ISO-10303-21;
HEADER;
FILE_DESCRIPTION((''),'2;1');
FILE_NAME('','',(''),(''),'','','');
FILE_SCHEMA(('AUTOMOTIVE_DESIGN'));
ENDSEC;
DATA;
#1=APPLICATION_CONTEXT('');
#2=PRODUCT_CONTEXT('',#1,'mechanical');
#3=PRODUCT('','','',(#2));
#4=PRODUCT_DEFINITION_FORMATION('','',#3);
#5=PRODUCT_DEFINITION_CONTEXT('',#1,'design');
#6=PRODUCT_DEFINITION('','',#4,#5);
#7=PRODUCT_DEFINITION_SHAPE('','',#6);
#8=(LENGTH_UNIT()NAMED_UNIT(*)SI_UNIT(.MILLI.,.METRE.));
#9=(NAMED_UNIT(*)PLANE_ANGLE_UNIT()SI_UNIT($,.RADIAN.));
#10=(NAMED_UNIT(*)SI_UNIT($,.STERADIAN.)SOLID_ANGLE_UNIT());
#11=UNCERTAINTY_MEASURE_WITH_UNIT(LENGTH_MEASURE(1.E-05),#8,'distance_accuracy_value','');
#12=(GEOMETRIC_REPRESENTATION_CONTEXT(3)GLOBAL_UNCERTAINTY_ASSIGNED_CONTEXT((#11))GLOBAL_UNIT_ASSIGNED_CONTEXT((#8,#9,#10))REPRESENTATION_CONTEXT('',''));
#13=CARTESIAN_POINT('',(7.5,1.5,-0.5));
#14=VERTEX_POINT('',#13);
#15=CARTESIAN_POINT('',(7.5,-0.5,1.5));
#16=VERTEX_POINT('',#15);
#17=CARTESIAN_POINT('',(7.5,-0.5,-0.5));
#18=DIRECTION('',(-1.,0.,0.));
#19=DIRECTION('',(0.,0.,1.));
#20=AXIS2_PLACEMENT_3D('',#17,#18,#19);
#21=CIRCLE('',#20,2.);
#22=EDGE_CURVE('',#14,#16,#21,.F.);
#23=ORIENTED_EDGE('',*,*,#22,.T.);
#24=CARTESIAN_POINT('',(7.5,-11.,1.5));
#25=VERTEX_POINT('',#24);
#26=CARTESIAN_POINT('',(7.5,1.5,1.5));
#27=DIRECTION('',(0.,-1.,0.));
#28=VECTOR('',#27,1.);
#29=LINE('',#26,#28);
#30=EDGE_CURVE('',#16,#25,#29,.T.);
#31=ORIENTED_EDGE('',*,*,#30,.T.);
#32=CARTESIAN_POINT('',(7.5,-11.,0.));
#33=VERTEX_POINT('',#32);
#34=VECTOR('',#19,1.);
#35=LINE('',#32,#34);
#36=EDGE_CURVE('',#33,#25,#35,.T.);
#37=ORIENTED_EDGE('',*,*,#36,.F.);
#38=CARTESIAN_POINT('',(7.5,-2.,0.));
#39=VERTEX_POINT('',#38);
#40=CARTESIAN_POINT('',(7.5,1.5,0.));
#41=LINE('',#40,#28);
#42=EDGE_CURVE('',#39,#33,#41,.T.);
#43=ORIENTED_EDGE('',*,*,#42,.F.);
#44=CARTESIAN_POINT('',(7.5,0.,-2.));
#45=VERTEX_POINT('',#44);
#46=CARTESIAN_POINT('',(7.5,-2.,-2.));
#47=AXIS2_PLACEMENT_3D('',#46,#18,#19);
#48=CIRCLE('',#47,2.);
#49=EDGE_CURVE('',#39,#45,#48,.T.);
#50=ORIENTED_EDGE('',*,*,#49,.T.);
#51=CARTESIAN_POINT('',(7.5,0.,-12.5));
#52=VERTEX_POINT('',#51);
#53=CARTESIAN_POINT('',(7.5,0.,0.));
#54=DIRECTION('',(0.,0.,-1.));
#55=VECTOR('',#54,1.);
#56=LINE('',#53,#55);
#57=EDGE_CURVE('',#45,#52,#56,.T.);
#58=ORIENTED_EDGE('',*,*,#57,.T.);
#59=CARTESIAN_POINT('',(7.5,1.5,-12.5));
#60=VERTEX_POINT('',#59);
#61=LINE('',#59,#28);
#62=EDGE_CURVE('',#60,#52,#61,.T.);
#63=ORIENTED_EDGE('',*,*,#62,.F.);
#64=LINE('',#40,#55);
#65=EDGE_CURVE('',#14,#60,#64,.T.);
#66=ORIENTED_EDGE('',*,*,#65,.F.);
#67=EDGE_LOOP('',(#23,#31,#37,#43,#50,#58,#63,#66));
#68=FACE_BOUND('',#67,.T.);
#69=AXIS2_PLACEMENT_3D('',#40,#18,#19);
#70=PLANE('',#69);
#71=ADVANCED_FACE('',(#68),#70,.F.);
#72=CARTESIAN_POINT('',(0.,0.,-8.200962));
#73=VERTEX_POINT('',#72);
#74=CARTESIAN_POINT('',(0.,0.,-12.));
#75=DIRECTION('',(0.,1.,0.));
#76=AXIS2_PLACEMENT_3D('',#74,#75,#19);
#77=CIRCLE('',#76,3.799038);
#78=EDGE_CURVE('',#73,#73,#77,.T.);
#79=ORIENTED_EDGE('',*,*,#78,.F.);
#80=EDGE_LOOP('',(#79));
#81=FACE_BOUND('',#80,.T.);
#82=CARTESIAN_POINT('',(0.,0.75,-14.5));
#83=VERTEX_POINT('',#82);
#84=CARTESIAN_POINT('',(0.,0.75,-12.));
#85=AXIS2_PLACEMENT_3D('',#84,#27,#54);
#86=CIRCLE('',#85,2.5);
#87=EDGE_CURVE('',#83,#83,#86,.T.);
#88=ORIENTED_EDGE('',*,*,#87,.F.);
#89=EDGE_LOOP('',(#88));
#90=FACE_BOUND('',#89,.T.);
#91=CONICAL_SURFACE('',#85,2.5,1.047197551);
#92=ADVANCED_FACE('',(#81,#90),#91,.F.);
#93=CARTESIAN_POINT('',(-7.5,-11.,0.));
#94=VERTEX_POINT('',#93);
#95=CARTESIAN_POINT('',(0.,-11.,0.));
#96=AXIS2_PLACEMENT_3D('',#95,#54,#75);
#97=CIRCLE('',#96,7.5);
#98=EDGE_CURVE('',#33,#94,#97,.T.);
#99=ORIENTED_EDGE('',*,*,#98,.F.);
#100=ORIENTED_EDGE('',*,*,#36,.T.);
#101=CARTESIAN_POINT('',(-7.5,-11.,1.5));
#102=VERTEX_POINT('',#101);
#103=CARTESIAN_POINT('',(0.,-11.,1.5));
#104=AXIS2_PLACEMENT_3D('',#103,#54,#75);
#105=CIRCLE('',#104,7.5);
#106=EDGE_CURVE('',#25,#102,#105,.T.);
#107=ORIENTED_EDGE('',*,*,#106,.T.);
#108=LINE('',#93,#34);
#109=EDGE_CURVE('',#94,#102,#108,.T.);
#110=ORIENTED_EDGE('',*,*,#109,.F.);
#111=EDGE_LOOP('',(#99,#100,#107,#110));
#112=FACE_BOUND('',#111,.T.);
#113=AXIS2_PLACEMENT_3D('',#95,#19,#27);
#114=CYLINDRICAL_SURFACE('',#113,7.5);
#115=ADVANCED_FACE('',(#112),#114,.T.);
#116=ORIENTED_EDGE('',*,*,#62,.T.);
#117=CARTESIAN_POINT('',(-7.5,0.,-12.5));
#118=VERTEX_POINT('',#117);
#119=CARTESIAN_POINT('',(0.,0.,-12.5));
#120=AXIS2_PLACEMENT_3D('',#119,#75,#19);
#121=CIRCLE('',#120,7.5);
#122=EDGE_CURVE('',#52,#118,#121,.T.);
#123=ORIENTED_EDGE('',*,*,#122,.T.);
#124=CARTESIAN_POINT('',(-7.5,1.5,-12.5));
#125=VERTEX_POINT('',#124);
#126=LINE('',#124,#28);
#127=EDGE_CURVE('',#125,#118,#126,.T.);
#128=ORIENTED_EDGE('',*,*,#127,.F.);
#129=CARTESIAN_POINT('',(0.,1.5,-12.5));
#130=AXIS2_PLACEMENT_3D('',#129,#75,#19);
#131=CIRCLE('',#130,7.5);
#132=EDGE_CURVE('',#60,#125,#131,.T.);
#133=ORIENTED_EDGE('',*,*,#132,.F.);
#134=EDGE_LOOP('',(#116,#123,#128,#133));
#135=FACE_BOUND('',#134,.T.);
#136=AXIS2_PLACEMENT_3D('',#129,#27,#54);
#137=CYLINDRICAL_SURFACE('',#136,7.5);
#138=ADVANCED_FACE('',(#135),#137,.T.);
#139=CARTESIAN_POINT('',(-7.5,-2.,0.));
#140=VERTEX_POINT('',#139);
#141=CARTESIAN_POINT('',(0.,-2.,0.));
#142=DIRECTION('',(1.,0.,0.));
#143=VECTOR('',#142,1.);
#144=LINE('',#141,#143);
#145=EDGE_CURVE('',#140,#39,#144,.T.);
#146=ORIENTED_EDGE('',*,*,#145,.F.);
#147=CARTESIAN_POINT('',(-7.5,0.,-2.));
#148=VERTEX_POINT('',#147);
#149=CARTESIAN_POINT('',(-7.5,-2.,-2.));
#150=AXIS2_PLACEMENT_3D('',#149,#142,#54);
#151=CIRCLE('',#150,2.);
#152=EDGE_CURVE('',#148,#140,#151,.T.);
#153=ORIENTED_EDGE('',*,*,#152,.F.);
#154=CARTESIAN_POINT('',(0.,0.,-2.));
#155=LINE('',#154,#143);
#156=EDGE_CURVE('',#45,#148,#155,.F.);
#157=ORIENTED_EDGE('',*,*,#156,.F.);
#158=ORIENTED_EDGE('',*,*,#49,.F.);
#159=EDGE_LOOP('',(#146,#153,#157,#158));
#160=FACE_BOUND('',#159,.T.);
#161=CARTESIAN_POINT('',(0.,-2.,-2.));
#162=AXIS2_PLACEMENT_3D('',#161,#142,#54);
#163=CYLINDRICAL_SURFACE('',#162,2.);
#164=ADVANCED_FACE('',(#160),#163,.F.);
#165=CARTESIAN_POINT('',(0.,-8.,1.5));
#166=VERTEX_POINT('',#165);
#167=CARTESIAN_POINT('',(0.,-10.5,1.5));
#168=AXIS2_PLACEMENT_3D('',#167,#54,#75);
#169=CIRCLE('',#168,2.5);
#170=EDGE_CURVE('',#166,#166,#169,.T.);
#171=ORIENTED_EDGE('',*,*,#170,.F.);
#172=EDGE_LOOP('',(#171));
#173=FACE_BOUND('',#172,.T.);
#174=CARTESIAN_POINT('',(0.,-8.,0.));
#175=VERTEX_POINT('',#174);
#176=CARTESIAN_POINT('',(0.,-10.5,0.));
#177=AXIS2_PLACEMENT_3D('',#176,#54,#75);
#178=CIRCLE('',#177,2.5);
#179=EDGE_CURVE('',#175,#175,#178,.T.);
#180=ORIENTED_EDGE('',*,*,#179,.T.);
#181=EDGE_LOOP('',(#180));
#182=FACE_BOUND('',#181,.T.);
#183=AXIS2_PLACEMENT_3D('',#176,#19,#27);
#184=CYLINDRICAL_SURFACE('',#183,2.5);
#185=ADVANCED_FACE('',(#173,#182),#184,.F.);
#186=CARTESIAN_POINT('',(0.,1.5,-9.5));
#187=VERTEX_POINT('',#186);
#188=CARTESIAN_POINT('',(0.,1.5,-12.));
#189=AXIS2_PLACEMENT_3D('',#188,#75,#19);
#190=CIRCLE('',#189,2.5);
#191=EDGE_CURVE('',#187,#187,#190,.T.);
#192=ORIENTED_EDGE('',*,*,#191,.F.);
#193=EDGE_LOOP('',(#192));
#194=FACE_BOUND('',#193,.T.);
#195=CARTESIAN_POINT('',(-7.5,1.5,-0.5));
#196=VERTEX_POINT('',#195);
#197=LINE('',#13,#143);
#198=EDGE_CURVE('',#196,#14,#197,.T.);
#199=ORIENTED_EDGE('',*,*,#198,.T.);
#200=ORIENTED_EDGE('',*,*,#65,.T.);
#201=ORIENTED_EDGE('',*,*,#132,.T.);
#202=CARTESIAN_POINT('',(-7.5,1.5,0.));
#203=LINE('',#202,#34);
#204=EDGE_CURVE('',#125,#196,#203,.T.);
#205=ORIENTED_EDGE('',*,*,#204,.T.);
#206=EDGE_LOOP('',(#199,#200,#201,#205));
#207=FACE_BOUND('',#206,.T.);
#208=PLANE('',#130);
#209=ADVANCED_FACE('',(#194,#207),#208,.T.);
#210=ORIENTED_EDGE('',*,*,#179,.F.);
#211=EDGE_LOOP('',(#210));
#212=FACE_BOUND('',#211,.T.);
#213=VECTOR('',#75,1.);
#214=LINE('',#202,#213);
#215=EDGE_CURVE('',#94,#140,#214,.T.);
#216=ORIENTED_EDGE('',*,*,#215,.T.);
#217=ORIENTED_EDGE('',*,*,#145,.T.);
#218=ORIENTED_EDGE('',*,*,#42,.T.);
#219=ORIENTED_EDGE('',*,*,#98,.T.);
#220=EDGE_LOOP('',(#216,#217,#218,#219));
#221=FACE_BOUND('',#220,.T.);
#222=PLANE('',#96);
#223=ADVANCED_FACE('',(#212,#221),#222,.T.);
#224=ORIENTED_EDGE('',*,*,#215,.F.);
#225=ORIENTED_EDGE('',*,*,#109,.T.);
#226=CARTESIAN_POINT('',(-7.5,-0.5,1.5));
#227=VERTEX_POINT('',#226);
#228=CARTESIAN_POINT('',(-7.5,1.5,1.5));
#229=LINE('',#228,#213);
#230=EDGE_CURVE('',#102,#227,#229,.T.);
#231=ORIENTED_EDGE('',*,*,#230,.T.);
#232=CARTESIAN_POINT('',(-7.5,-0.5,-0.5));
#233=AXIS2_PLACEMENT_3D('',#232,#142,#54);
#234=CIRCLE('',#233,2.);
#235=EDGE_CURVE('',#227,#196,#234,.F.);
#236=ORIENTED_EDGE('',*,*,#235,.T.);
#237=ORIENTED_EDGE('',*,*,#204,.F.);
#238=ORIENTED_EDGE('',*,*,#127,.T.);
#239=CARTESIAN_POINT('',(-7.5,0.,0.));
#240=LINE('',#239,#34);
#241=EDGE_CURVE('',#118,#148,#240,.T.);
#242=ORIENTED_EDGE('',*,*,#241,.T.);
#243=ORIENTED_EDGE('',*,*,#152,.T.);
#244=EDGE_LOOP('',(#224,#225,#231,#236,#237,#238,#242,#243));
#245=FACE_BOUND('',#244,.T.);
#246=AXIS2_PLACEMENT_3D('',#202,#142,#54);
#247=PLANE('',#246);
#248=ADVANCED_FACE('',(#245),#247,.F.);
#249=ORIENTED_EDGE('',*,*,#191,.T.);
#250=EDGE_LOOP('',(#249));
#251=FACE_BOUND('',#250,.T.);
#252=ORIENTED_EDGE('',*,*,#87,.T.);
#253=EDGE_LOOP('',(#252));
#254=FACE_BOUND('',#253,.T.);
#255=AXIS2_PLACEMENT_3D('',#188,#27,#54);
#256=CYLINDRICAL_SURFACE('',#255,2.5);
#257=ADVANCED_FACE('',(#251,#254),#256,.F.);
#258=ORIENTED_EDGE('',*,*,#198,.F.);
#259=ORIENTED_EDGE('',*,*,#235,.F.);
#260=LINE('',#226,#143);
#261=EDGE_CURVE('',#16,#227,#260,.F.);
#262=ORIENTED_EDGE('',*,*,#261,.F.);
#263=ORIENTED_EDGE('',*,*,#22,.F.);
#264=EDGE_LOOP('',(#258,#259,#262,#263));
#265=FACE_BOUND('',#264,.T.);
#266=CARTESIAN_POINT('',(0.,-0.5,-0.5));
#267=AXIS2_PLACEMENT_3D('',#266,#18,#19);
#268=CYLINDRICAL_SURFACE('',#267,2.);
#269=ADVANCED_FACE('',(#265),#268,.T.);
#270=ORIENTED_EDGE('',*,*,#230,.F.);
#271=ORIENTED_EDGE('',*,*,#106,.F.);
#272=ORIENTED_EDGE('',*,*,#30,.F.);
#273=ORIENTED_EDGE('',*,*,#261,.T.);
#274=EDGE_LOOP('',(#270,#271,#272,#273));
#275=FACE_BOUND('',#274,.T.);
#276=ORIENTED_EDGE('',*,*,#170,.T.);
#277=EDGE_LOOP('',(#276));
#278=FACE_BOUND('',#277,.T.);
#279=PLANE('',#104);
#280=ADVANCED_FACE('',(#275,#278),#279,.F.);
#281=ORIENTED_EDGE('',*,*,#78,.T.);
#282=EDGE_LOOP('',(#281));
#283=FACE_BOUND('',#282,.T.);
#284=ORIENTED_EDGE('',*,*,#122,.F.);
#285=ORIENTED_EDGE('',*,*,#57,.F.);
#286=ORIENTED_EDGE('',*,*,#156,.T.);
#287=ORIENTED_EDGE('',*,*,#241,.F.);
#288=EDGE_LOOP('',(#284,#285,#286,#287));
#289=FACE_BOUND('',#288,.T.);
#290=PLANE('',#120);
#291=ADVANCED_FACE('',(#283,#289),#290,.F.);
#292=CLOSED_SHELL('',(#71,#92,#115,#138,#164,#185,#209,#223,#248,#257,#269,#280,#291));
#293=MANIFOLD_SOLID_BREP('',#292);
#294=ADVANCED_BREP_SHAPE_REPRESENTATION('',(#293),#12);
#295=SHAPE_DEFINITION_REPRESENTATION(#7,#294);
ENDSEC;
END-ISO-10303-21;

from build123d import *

# Parameters (mm, degrees)
SKETCH1_R           = 2.5
BOSS_EXTRUDE1_DEPTH = 1.5
CIRPATTERN1_COUNT   = 2
CIRPATTERN1_ANGLE   = 90
FILLET1_R           = 2
SKETCH3_R           = 2.5
CUT_EXTRUDE2_DEPTH  = 0.75
CUT_EXTRUDE2_DRAFT  = -60


with BuildPart() as part:
    # Sketch1 → Boss-Extrude1 (new body)
    with BuildSketch(Plane(origin=(0, 0, 0), x_dir=(1, 0, 0), z_dir=(0, 1, 0))):
        with BuildLine():
            Line((-7.5, 0), (7.5, 0))
            Line((7.5, 0), (7.5, 12.5))
            ThreePointArc((7.5, 12.5), (0, 20), (-7.5, 12.5))
            Line((-7.5, 12.5), (-7.5, 0))
        make_face()
        with Locations(Location((0, 12, 0), (0, 0, 270))):
            Circle(SKETCH1_R, mode=Mode.SUBTRACT)
    boss_extrude1 = extrude(amount=BOSS_EXTRUDE1_DEPTH)

    # CirPattern1: Boss-Extrude1 ×2 about axis
    cirpattern1_axis = Axis((-7.5, 1.5, 0), (-1, 0, 0))
    for i in range(1, CIRPATTERN1_COUNT):
        add(boss_extrude1.rotate(cirpattern1_axis, i * CIRPATTERN1_ANGLE / (CIRPATTERN1_COUNT - 1)))

    # Fillet1
    fillet1_edges = [part.edges().sort_by_distance(p)[0] for p in [
        (0, 1.5, 1.5),
        (0, 0, 0),
    ]]
    fillet(fillet1_edges, radius=FILLET1_R)


with BuildPart() as cut_extrude2_tool:
    # Sketch3 → Cut-Extrude2 (with draft: the straight prism first)
    with BuildSketch(Plane(origin=(0, 0.75, 0), x_dir=(-1, 0, 0), z_dir=(0, -1, 0))):
        with Locations(Location((0, 12, 0), (0, 0, 90))):
            Circle(SKETCH3_R)
    extrude(amount=CUT_EXTRUDE2_DEPTH)
    # Cut-Extrude2: the draft: its side faces are tilted about the plane it starts from
    cut_extrude2_sides = [cut_extrude2_tool.faces().sort_by_distance(p)[0] for p in [
        (0, 0.375, -9.5),
    ]]
    draft(cut_extrude2_sides, Plane(origin=(0, 0.75, 0), x_dir=(-1, 0, 0), z_dir=(0, -1, 0)), CUT_EXTRUDE2_DRAFT)


with BuildPart() as part_1:
    add(part.part)

    # Cut-Extrude2: cut by cut_extrude2_tool
    add(cut_extrude2_tool.part, mode=Mode.SUBTRACT)


solid = part_1.part
